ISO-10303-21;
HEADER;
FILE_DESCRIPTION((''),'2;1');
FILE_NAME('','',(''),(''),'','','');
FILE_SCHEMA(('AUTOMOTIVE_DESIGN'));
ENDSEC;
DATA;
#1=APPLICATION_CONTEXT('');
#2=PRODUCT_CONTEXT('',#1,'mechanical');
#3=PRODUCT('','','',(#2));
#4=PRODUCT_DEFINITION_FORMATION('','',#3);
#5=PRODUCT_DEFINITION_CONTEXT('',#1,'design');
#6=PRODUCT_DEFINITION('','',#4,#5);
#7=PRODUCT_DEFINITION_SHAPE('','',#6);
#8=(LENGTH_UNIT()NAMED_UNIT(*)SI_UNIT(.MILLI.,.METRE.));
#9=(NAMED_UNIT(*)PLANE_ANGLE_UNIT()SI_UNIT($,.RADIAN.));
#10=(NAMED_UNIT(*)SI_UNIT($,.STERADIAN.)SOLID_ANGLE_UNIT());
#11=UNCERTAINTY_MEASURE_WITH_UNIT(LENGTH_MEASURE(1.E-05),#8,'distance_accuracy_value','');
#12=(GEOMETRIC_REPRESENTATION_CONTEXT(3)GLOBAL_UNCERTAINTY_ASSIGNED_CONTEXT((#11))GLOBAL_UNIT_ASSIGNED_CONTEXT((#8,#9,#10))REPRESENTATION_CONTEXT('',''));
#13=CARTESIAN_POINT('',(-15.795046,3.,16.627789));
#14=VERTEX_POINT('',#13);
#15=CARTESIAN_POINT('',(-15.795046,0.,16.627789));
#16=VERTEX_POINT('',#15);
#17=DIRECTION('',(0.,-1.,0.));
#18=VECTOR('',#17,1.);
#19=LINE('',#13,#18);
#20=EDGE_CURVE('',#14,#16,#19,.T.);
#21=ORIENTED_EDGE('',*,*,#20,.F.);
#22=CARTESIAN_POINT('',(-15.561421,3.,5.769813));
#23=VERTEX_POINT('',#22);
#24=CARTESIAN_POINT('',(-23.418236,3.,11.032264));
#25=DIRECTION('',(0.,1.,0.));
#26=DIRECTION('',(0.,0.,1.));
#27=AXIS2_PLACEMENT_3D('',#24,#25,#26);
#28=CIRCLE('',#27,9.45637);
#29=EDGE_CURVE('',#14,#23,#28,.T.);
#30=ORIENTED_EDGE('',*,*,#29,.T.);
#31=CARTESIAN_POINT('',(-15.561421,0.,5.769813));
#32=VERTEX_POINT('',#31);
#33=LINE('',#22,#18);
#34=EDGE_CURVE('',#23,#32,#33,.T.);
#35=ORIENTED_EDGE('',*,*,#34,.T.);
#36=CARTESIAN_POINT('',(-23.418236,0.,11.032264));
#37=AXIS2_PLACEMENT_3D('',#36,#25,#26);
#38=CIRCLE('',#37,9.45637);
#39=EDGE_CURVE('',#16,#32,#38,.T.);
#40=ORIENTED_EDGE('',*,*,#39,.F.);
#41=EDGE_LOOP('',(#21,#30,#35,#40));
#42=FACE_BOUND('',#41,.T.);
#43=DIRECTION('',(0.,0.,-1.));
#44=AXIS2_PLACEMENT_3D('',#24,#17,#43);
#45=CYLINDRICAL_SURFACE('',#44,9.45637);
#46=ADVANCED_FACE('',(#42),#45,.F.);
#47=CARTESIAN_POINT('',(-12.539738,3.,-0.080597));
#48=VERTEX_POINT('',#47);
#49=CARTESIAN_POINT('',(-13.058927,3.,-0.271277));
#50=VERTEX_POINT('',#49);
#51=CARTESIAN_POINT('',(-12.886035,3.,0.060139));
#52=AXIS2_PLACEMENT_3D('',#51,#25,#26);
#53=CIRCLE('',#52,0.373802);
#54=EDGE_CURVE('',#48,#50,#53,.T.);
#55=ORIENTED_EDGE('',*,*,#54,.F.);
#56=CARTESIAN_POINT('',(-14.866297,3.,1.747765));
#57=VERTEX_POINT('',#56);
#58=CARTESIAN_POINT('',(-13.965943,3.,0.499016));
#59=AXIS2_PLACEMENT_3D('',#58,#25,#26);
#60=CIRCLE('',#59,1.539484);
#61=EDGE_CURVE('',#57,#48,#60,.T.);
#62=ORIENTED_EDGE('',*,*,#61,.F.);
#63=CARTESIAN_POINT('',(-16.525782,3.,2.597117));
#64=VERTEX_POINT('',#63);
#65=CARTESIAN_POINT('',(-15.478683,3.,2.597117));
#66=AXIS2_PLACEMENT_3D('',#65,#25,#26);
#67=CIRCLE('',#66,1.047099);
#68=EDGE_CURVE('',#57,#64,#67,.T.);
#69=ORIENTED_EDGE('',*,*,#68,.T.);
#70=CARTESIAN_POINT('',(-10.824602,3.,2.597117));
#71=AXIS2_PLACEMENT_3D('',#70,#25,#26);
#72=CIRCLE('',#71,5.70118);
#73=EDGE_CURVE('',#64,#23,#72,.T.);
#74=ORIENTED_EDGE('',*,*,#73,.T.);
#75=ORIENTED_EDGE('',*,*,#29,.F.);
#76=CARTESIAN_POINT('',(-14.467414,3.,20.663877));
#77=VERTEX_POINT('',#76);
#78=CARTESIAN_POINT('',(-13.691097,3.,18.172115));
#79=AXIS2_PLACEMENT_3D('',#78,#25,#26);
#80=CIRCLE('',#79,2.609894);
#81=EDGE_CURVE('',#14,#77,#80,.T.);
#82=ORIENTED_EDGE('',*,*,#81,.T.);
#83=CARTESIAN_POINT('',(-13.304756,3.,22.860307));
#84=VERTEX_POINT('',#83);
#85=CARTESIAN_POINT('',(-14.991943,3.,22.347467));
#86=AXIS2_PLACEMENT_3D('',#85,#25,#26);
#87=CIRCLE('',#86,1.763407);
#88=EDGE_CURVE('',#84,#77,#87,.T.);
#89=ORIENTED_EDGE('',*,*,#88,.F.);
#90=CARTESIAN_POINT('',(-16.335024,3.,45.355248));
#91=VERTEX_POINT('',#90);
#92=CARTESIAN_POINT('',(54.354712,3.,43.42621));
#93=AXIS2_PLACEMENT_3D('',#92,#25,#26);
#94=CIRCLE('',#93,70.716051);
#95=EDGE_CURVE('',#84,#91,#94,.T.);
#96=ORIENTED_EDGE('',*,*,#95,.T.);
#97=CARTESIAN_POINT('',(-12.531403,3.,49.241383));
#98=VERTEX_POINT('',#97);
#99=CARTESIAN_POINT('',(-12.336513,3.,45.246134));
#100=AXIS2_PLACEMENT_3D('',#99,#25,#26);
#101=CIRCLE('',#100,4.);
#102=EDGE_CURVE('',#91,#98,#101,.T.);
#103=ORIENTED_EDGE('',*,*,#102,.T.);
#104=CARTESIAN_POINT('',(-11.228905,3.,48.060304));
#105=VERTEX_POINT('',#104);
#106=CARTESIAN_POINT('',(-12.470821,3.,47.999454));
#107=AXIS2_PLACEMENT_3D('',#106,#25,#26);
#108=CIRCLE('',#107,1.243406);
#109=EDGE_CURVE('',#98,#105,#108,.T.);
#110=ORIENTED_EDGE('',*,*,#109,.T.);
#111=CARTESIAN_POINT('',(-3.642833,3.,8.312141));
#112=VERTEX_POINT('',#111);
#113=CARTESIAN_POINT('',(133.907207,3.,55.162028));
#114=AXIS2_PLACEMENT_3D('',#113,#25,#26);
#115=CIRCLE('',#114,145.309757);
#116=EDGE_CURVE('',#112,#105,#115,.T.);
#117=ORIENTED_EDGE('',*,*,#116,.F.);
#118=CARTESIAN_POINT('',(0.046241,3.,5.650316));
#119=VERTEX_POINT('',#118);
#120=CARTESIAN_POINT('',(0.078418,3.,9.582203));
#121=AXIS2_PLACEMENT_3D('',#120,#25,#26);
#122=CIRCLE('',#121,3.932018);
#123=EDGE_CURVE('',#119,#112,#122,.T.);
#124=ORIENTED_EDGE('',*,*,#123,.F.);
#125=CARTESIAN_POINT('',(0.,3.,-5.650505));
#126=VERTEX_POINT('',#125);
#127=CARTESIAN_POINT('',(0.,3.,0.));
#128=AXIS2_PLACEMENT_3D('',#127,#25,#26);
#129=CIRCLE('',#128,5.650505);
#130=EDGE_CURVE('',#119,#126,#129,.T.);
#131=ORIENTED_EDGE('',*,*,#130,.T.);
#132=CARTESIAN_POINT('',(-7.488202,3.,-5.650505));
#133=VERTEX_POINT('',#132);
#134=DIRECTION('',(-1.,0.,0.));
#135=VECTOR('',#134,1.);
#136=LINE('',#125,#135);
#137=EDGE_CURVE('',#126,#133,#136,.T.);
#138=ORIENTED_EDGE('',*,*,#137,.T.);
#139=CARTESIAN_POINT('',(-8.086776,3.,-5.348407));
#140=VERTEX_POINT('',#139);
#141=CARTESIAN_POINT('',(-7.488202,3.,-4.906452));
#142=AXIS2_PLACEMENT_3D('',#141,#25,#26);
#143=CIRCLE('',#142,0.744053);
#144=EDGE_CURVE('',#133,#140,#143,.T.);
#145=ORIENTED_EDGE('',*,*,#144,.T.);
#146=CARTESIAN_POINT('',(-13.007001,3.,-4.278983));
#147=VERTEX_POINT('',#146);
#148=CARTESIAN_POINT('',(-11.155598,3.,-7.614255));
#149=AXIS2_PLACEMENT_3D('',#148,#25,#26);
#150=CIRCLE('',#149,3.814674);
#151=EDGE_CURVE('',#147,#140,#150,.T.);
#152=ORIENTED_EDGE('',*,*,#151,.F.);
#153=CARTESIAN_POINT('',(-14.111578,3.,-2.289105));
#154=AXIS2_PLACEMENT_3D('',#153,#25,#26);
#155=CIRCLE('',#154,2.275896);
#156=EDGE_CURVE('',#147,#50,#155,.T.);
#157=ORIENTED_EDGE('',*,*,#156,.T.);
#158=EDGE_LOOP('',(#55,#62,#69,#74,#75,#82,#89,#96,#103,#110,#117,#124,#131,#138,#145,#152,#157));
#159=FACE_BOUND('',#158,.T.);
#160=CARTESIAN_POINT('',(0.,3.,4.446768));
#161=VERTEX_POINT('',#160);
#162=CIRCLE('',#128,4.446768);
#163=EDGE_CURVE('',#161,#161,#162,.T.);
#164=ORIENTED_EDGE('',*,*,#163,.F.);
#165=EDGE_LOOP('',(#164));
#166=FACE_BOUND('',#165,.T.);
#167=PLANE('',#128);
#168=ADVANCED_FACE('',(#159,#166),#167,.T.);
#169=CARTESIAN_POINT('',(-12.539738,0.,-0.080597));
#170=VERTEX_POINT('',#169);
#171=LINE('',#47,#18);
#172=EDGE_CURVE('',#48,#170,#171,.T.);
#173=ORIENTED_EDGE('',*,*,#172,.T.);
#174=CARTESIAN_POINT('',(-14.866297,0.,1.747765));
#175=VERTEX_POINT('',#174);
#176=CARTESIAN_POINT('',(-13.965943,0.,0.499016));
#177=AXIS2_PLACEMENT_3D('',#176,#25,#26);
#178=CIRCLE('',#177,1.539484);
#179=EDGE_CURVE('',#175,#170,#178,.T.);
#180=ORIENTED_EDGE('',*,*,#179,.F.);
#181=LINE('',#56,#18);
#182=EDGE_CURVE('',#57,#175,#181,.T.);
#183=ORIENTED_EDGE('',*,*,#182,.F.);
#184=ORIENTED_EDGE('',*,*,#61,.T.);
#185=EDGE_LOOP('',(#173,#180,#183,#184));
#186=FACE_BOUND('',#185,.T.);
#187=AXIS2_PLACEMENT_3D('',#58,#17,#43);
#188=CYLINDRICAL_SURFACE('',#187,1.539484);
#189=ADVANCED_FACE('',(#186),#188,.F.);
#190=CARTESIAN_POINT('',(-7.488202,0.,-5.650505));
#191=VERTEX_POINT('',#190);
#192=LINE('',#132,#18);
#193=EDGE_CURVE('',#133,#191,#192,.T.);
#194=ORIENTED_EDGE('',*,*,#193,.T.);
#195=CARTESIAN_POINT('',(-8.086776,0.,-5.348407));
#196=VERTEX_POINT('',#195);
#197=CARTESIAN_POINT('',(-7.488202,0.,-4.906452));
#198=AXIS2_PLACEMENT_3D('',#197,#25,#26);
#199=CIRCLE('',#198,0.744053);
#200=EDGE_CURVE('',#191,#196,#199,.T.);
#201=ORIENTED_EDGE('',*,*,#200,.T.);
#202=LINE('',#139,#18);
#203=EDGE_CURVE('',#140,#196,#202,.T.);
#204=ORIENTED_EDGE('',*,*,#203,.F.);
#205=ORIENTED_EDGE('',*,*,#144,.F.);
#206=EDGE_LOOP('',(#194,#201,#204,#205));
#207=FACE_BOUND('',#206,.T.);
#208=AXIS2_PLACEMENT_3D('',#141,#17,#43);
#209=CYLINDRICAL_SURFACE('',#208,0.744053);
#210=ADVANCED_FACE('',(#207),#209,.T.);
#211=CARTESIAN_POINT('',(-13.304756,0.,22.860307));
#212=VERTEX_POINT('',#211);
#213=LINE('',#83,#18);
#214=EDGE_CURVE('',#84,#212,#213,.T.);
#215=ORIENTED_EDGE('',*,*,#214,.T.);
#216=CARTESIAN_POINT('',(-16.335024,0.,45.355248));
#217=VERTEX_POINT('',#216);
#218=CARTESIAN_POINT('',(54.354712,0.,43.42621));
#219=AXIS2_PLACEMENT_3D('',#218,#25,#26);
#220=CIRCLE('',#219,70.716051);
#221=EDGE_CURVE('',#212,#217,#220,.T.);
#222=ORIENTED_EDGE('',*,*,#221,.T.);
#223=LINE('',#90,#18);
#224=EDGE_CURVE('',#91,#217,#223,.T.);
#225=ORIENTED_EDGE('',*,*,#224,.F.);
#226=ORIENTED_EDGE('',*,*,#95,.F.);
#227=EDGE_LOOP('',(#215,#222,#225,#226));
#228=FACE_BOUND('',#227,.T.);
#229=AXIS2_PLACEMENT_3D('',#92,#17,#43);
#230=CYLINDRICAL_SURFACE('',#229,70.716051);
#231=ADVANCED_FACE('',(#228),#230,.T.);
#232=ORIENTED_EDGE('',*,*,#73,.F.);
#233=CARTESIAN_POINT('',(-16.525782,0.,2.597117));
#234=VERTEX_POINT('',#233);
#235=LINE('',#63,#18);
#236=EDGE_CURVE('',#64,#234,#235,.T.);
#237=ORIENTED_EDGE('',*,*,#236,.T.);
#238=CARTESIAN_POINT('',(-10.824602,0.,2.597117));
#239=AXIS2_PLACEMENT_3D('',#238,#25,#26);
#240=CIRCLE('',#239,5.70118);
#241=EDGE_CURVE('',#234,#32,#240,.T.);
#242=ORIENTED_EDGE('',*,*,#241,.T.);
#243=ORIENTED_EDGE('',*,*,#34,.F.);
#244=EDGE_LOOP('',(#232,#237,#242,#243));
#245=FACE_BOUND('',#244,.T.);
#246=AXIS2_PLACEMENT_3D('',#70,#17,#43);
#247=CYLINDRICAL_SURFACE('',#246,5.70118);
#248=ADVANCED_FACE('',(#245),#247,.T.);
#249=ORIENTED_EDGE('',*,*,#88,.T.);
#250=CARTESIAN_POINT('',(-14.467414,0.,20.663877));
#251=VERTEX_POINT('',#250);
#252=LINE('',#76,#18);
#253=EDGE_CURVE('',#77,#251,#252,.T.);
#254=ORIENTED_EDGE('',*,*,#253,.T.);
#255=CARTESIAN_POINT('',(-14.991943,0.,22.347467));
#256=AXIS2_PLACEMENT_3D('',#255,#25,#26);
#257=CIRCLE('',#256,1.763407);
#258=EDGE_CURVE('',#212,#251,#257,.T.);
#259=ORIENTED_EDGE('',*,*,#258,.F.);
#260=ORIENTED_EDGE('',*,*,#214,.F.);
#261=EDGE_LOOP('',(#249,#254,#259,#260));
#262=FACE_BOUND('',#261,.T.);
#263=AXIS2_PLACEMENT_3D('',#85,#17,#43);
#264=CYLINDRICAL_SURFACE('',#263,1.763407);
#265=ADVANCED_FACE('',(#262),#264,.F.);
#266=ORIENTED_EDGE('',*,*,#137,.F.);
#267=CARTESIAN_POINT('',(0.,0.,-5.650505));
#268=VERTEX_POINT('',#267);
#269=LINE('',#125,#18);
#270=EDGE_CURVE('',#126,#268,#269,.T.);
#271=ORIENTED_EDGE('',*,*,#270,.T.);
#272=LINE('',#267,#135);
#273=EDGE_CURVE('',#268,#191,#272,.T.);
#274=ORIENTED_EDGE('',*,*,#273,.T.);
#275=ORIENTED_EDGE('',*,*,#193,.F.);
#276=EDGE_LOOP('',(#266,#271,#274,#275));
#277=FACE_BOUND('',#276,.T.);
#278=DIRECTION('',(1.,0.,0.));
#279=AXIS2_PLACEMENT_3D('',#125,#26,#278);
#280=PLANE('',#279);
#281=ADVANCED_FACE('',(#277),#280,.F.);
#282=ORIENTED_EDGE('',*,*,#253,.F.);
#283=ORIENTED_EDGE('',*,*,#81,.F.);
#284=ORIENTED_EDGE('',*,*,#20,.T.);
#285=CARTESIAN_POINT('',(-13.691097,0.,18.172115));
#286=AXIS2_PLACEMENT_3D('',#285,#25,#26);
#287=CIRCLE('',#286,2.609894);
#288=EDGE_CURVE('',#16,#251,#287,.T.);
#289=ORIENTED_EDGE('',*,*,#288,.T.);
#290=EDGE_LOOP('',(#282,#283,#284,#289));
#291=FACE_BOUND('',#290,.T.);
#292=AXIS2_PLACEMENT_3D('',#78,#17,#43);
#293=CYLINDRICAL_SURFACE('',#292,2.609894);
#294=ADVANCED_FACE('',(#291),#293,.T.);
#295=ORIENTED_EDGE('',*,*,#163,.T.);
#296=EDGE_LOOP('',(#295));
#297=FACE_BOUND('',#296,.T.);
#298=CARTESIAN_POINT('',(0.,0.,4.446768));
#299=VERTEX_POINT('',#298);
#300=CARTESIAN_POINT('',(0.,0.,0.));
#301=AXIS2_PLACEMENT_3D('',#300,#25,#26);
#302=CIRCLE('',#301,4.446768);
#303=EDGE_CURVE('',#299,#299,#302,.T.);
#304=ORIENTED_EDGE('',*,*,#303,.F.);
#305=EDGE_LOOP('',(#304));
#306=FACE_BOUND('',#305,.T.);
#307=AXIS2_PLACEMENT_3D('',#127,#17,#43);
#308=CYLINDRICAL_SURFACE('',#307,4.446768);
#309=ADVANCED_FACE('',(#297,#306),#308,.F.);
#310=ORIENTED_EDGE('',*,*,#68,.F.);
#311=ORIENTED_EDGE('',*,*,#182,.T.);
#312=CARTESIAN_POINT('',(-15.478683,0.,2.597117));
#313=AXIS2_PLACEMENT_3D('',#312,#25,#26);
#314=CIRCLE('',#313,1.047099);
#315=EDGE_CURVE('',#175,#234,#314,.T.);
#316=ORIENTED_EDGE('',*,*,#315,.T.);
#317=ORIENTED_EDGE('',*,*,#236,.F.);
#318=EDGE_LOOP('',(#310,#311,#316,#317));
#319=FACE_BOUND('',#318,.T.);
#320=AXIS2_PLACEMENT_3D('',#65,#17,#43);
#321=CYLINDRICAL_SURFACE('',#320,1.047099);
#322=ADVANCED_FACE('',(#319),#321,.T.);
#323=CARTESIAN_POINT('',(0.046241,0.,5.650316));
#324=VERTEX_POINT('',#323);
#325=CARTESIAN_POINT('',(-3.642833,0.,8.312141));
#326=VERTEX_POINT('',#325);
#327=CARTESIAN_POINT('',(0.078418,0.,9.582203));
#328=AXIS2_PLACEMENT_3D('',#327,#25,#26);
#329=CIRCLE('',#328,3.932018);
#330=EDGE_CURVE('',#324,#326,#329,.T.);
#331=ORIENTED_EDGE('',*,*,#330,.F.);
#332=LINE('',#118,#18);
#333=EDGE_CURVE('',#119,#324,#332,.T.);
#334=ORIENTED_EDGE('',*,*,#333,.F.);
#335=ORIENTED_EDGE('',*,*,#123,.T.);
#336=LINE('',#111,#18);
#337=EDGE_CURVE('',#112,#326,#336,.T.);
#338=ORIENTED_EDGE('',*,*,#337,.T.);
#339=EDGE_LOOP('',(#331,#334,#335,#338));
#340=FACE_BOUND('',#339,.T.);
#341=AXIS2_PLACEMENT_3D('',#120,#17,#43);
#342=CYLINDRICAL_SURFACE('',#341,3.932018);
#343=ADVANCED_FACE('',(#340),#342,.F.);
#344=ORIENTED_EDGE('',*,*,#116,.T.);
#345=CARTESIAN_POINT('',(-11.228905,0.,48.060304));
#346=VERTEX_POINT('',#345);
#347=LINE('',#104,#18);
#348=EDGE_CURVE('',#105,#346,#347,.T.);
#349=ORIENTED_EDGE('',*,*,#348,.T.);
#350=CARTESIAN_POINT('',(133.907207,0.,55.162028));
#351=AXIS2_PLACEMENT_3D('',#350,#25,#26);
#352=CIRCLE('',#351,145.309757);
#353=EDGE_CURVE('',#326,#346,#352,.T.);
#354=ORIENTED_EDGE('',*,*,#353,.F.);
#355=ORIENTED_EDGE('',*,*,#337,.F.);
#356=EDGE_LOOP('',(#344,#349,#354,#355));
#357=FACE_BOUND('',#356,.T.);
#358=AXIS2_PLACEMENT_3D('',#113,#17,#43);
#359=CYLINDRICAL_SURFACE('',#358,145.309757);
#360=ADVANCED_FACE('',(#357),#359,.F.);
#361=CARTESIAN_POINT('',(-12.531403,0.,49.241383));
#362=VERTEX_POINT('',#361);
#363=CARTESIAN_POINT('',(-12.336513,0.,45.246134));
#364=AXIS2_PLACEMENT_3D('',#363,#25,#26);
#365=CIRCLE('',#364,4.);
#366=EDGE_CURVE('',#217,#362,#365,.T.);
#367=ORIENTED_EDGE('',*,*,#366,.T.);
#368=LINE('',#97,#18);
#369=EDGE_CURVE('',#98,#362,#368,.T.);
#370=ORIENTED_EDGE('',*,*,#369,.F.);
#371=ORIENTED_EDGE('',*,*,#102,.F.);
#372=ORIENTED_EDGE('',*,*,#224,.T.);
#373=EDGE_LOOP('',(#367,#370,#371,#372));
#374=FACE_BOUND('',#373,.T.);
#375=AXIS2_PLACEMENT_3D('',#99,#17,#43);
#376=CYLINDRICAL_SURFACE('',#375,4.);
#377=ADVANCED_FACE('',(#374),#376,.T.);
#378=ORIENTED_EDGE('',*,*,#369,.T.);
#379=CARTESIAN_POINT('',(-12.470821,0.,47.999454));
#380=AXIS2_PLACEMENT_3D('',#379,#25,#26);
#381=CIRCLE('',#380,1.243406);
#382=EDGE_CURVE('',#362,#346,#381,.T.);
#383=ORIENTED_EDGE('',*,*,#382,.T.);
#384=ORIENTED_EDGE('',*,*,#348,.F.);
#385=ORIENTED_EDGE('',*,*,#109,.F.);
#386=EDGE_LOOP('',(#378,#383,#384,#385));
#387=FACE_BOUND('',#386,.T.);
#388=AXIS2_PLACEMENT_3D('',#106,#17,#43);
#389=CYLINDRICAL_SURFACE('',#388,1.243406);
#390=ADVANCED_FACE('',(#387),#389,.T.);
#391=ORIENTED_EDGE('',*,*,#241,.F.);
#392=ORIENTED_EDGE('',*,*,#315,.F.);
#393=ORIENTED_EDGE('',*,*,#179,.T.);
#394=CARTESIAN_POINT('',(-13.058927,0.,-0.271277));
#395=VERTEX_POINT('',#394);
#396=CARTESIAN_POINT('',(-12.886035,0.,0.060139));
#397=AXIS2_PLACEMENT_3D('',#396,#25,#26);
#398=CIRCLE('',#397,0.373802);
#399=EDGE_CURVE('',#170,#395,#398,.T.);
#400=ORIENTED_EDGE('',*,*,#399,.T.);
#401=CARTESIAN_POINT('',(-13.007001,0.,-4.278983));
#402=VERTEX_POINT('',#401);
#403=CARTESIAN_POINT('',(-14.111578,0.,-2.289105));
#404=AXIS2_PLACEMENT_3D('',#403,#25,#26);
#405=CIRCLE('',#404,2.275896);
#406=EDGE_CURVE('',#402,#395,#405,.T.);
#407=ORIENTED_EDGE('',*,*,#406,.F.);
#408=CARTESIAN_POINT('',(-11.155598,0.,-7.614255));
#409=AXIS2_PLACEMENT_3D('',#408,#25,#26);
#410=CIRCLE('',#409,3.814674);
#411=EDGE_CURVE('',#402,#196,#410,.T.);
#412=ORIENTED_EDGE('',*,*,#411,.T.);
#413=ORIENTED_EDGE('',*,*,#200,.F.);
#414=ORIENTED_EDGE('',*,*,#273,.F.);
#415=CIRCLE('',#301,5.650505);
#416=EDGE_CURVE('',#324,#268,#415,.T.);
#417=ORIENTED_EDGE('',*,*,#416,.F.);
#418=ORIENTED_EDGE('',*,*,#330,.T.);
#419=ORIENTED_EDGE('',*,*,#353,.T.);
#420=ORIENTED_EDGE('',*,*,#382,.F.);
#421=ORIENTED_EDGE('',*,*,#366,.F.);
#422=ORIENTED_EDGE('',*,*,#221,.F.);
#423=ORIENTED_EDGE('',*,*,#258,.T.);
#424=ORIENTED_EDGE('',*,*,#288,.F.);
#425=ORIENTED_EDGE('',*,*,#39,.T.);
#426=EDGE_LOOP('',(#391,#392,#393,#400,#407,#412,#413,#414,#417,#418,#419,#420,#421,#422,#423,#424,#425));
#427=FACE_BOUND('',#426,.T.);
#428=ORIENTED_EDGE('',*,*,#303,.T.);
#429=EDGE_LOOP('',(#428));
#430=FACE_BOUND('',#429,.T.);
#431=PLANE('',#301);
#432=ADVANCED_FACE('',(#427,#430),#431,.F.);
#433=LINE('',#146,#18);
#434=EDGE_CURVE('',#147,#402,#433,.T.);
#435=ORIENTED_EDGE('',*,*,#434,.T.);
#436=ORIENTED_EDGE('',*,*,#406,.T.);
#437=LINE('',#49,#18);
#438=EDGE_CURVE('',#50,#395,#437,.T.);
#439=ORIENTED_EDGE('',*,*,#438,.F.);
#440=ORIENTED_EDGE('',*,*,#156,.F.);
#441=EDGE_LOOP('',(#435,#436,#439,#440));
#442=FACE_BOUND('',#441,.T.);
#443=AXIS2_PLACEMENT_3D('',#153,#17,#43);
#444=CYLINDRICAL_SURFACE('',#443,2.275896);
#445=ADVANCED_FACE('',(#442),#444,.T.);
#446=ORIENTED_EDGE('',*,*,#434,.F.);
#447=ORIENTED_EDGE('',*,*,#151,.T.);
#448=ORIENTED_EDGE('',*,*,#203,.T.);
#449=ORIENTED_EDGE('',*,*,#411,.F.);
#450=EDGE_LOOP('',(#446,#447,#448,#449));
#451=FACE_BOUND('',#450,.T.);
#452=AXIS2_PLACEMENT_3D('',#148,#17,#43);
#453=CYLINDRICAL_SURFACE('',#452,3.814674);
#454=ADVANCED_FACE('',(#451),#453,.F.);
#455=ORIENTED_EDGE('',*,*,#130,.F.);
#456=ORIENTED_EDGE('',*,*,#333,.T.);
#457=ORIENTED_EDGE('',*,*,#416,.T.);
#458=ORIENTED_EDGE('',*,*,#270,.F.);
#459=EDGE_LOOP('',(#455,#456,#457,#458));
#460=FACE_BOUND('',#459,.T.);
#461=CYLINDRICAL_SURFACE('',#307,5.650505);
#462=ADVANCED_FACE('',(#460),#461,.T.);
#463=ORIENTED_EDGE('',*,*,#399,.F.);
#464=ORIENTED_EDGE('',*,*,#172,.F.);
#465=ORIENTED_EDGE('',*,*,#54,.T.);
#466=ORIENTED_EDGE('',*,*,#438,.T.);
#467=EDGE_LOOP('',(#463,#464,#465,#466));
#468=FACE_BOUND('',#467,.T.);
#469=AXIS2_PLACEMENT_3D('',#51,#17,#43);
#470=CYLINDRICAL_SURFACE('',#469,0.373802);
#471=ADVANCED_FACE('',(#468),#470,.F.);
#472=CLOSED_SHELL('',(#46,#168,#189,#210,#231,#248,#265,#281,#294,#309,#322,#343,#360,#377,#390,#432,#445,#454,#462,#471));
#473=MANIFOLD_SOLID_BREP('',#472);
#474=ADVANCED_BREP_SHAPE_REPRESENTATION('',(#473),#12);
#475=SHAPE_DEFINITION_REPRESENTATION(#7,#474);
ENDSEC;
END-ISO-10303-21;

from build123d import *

# Parameters (mm, degrees)
CROQUIS1_R              = 4.446768191
SALIENTE_EXTRUIR1_DEPTH = 3


with BuildPart() as part:
    # Croquis1 → Saliente-Extruir1 (new body)
    with BuildSketch(Plane(origin=(0, 0, 0), x_dir=(1, 0, 0), z_dir=(0, 1, 0))):
        with BuildLine():
            ThreePointArc((0.04624071, -5.650316034), (5.650457939, 0.023120548), (0, 5.650505241))
            Line((0, 5.650505241), (-6.558714934, 5.650505241))
            Line((-6.558714934, 5.650505241), (-7.488201893, 5.650505241))
            ThreePointArc((-7.488201893, 5.650505241), (-7.823446184, 5.570700791), (-8.086776283, 5.348406518))
            ThreePointArc((-8.086776283, 5.348406518), (-10.345385807, 3.886616052), (-13.007001279, 4.2789825))
            ThreePointArc((-13.007001279, 4.2789825), (-16.387283849, 2.318589671), (-13.058926803, 0.271276879))
            ThreePointArc((-13.058926803, 0.271276879), (-12.757166646, 0.290746917), (-12.539738197, 0.080596626))
            ThreePointArc((-12.539738197, 0.080596626), (-13.014703567, -1.709451511), (-14.866296536, -1.747764912))
            ThreePointArc((-14.866296536, -1.747764912), (-15.955750761, -1.665010286), (-16.52578224, -2.597117012))
            ThreePointArc((-16.52578224, -2.597117012), (-16.279366787, -4.255127031), (-15.561421483, -5.769812589))
            ThreePointArc((-15.561421483, -5.769812589), (-13.964054479, -11.235683534), (-15.795045548, -16.627788712))
            ThreePointArc((-15.795045548, -16.627788712), (-16.170307553, -18.987627294), (-14.467414276, -20.663877332))
            ThreePointArc((-14.467414276, -20.663877332), (-13.433418752, -21.52247795), (-13.304756207, -22.860307429))
            ThreePointArc((-13.304756207, -22.860307429), (-15.728318678, -33.985404535), (-16.335024288, -45.355248377))
            ThreePointArc((-16.335024288, -45.355248377), (-15.195125313, -48.044049913), (-12.531403036, -49.241383204))
            ThreePointArc((-12.531403036, -49.241383204), (-11.635581739, -48.920558505), (-11.228904984, -48.060303717))
            ThreePointArc((-11.228904984, -48.060303717), (-8.826265832, -27.920860577), (-3.642833223, -8.31214131))
            ThreePointArc((-3.642833223, -8.31214131), (-2.222317675, -6.393569379), (0.04624071, -5.650316034))
        make_face()
        Circle(CROQUIS1_R, mode=Mode.SUBTRACT)
    extrude(amount=SALIENTE_EXTRUIR1_DEPTH)


solid = part.part
